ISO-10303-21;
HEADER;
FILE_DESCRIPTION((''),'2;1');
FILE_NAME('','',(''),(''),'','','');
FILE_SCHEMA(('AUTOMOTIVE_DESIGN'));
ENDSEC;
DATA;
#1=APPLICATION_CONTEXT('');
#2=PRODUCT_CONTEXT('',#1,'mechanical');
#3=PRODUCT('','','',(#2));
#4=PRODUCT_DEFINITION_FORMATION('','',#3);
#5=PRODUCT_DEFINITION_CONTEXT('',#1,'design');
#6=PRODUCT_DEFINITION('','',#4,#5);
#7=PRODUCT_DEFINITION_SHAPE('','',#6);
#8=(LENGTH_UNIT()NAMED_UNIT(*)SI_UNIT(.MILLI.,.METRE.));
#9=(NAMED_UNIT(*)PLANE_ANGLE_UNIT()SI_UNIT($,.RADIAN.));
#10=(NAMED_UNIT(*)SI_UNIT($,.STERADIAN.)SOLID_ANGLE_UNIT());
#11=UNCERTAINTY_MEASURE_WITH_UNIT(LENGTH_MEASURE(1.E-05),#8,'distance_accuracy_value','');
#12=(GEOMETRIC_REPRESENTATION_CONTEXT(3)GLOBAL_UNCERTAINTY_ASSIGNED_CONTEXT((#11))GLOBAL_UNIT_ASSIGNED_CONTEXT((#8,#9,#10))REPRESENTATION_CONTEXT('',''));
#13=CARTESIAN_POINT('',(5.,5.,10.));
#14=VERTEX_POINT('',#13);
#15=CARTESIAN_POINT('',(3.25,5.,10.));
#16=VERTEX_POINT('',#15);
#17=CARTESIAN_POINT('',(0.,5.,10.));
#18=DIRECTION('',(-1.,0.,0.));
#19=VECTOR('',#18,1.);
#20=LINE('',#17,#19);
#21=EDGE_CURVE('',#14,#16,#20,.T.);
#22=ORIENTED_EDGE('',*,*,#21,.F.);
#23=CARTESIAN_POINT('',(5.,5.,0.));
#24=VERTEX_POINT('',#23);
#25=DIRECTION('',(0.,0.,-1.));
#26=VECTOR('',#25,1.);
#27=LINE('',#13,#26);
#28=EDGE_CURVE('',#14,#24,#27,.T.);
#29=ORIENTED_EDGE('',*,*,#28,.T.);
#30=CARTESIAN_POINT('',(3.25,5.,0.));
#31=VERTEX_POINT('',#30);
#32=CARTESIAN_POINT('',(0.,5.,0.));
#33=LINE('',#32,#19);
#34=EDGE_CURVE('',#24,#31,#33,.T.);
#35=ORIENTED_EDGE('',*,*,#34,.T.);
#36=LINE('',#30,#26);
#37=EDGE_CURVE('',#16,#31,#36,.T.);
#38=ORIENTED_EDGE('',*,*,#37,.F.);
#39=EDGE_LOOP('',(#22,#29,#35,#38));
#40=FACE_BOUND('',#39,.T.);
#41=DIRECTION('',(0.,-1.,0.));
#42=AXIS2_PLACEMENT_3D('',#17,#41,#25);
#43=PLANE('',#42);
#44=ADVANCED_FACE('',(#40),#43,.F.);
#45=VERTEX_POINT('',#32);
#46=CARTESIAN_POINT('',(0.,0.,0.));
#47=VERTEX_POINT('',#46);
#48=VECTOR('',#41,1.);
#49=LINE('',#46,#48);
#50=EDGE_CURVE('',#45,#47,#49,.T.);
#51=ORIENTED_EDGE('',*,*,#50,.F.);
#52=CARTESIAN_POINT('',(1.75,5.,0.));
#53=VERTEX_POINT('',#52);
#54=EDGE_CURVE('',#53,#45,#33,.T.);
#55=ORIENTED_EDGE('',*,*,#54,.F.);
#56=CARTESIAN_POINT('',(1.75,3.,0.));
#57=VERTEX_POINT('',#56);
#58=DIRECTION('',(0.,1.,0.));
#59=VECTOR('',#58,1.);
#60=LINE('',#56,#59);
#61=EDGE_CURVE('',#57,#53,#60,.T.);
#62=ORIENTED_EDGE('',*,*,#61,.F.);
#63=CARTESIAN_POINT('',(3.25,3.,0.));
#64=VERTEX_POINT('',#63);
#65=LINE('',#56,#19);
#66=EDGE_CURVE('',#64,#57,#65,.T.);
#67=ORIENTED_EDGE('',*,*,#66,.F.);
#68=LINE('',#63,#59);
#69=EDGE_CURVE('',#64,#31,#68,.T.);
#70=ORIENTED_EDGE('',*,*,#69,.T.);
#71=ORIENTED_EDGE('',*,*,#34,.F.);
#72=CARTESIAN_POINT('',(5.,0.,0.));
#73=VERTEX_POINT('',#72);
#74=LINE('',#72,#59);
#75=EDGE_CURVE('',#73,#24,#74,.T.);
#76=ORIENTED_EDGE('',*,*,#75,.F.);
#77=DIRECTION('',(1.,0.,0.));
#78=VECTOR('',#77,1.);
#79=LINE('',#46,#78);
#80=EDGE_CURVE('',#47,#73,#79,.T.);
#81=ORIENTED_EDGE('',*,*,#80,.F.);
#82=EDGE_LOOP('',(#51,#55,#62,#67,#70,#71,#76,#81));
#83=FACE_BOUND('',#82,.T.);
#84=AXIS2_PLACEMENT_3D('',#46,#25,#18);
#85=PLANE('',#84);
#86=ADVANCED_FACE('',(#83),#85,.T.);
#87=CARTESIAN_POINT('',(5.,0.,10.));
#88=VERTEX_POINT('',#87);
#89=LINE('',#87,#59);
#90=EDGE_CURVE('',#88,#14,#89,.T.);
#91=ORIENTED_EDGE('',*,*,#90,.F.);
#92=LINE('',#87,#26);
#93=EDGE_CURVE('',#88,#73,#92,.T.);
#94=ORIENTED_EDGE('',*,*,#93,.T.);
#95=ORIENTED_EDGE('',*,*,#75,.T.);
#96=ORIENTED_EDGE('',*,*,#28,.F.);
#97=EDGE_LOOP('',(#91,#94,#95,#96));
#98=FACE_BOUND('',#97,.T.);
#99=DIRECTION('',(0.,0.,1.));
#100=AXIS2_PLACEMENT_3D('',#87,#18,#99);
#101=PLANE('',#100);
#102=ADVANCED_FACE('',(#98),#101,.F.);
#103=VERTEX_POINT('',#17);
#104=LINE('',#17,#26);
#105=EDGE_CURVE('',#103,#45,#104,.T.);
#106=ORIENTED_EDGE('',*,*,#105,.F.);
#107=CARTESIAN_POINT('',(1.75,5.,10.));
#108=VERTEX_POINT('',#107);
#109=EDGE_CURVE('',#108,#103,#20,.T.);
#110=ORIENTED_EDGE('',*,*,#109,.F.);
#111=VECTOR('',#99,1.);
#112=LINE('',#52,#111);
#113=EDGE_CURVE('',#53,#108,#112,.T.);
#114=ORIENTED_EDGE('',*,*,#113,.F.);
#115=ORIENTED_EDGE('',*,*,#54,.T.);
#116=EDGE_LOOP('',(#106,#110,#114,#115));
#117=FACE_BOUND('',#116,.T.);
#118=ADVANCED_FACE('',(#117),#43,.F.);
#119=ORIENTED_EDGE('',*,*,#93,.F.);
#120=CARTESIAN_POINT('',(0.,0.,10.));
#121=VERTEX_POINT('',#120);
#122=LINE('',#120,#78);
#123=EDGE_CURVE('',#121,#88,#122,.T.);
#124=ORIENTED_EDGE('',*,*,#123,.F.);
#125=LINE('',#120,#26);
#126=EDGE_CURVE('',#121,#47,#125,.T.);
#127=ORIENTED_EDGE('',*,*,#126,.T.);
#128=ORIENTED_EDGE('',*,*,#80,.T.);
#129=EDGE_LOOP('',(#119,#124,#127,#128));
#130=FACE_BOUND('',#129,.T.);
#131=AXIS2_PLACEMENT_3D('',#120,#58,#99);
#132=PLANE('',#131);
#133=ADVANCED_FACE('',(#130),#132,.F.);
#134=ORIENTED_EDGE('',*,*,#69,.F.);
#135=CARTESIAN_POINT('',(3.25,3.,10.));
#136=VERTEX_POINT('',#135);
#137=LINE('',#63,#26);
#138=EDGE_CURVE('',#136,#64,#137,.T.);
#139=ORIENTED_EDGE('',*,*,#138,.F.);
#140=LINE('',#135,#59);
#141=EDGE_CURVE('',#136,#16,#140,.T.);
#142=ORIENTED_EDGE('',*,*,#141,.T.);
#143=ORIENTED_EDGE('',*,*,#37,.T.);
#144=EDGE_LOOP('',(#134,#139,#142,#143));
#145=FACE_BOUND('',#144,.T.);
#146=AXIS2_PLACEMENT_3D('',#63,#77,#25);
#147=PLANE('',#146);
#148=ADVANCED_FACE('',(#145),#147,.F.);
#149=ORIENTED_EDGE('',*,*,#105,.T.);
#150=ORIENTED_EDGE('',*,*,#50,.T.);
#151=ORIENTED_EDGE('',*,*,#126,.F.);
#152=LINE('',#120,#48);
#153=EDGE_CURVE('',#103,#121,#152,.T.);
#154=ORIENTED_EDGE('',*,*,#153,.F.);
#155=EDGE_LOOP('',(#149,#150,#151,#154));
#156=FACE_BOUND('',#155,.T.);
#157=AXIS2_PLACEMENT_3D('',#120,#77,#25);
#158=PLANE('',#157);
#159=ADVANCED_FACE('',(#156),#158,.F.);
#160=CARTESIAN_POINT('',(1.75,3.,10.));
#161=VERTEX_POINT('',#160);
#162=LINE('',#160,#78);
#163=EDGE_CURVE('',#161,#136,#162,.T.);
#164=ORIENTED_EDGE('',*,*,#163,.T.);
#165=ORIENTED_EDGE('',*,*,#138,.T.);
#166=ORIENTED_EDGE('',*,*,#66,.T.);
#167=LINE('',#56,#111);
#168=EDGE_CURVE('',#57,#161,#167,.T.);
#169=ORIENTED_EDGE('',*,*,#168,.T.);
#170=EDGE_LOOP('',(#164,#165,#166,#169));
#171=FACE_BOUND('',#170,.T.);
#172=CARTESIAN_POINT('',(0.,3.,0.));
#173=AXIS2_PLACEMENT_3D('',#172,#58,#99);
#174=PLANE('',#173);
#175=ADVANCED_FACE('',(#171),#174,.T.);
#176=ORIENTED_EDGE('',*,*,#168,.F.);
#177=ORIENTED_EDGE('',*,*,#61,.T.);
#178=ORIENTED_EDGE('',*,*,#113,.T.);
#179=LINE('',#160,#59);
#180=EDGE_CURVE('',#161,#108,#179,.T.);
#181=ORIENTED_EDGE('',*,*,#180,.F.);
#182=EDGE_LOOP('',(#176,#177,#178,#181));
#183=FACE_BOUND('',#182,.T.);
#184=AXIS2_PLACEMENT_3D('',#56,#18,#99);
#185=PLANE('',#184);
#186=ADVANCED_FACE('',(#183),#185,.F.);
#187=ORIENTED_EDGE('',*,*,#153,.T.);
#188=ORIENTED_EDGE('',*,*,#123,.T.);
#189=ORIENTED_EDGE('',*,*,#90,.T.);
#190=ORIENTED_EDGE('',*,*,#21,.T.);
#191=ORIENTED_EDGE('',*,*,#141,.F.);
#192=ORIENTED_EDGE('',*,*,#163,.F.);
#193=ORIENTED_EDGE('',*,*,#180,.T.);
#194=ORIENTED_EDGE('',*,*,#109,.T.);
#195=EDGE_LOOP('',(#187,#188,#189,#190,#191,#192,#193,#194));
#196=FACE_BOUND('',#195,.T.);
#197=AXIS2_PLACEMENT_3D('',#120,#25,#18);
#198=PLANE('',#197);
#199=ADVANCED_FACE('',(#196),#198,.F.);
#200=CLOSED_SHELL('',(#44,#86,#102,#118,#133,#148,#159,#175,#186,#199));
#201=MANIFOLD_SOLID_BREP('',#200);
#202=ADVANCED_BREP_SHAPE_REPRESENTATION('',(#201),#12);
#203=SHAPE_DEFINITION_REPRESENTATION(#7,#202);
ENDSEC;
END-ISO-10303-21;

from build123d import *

# Parameters (mm, degrees)
SKETCH1_W           = 5
SKETCH1_H           = 5
BOSS_EXTRUDE1_DEPTH = 10
SKETCH2_W           = 1.5
SKETCH2_H           = 10
CUT_EXTRUDE1_DEPTH  = 2


with BuildPart() as part:
    # Sketch1 → Boss-Extrude1 (new body)
    with BuildSketch(Plane.XY):
        with Locations((2.5, 2.5)):
            Rectangle(SKETCH1_W, SKETCH1_H)
    extrude(amount=BOSS_EXTRUDE1_DEPTH)

    # Sketch2 → Cut-Extrude1 (cut)
    with BuildSketch(Plane(origin=(0, 5, 0), x_dir=(1, 0, 0), z_dir=(0, 1, 0))):
        with Locations((2.5, -5)):
            Rectangle(SKETCH2_W, SKETCH2_H)
    extrude(amount=-CUT_EXTRUDE1_DEPTH, mode=Mode.SUBTRACT)


solid = part.part
